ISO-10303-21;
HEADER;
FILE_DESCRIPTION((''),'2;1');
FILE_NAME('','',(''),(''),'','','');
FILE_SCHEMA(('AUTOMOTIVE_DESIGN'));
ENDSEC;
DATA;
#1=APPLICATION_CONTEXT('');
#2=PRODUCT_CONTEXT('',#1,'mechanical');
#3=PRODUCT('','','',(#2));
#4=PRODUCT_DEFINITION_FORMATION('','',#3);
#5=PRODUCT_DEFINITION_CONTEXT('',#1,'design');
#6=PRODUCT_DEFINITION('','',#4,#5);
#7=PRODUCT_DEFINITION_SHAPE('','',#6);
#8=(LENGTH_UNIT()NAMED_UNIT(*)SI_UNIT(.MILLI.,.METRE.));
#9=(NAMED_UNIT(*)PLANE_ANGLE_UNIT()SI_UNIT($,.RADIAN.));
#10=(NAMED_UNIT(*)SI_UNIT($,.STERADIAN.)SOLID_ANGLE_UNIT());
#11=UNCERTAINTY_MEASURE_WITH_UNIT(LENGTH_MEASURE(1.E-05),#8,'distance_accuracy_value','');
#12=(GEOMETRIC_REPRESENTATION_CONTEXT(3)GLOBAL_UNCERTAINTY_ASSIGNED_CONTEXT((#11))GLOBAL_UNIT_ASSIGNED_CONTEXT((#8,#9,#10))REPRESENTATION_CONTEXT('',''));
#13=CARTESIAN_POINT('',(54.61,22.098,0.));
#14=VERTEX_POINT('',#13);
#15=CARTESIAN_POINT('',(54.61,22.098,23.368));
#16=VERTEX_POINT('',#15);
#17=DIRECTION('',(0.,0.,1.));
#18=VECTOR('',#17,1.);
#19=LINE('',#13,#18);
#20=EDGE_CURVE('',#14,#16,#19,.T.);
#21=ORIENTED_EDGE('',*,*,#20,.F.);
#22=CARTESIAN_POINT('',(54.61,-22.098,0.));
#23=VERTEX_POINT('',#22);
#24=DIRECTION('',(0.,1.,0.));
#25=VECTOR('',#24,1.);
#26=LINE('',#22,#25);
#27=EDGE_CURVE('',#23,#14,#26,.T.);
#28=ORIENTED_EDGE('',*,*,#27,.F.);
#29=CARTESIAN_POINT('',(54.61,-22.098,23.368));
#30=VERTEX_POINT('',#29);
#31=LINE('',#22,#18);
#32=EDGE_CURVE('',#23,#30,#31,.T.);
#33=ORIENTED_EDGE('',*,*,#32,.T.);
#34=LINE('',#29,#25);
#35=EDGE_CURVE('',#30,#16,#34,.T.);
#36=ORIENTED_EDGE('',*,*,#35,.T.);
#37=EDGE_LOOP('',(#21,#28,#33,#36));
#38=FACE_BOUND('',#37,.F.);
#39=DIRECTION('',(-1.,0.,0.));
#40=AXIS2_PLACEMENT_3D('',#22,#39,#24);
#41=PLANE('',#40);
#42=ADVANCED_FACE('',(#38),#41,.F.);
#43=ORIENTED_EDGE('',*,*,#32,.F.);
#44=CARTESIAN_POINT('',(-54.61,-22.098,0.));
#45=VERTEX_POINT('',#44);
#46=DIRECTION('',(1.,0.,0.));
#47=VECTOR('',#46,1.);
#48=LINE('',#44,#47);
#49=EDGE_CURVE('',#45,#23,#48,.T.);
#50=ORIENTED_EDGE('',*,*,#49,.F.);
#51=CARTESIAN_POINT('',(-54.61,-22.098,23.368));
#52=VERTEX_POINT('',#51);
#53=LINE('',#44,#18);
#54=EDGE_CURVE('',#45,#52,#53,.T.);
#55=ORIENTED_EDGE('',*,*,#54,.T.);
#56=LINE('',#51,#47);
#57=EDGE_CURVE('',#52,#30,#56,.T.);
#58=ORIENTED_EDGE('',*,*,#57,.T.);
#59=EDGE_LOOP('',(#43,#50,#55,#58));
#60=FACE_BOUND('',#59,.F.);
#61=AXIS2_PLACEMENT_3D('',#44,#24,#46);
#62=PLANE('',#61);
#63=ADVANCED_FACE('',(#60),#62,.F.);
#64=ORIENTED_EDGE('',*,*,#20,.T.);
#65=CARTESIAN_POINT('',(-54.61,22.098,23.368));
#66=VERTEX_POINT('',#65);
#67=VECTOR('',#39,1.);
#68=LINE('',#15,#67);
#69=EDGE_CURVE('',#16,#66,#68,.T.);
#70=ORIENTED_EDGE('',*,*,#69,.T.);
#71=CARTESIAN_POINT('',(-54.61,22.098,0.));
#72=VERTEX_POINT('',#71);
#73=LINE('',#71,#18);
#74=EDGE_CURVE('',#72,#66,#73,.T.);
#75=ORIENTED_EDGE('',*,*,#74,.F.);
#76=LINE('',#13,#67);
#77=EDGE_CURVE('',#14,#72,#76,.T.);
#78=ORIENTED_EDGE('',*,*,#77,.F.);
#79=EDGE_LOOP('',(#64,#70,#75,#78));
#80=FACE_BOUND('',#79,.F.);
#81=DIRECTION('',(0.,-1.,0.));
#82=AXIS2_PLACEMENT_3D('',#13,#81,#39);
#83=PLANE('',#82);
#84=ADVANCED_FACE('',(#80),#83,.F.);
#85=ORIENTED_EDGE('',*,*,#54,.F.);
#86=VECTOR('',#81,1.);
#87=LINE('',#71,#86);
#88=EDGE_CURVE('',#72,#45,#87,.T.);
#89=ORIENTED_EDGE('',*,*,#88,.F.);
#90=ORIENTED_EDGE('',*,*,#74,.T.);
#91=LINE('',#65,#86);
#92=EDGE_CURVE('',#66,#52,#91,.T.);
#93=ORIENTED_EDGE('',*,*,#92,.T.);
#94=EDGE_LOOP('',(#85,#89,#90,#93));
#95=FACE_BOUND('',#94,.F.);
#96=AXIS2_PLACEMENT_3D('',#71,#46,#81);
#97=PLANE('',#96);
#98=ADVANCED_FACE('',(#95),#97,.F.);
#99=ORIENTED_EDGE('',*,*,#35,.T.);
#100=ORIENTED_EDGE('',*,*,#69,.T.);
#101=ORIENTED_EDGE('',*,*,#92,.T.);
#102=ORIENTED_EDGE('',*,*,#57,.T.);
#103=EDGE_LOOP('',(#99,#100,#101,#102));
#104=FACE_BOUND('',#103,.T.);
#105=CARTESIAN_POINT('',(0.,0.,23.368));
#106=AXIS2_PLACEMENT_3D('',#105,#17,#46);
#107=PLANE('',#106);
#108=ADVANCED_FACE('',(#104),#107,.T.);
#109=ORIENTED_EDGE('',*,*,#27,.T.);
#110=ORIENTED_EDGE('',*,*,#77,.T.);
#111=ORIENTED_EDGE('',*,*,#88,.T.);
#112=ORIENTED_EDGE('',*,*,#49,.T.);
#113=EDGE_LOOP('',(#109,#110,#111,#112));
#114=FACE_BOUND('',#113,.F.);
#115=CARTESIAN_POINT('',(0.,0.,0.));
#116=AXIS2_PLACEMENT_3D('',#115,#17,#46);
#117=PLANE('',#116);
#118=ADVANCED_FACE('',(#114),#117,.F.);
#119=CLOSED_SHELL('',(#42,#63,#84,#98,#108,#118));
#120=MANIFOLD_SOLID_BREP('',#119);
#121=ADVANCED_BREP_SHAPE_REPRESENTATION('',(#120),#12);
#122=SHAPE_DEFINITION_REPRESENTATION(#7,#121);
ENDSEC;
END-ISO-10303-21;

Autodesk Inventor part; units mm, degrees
ref_plane "YZ Plane" through (0, 0, 0) normal (1, 0, 0) x (0, 1, 0)
ref_plane "XZ Plane" through (0, 0, 0) normal (0, 1, 0) x (-1, 0, 0)
ref_plane "XY Plane" through (0, 0, 0) normal (0, 0, 1) x (1, 0, 0)
sketch "Sketch1" plane through (0, 0, 0) normal (0, 0, 1) x (1, 0, 0)
  line L0 (-54.61, -22.098) -> (54.61, -22.098)
  line L1 (54.61, -22.098) -> (54.61, 22.098)
  line L2 (54.61, 22.098) -> (-54.61, 22.098)
  line L3 (-54.61, 22.098) -> (-54.61, -22.098)
  line L4 (-54.61, -22.098) -> (54.61, 22.098) construction
  line L5 (54.61, -22.098) -> (-54.61, 22.098) construction
  point P0 (0, 0)
  dimension "d0" = 109.22
  dimension "d1" = 44.196
extrude "Extrusion1" add sketch "Sketch1" along normal blind 23.368
properties part number "usbHub" material "PC/ABS Plastic"
